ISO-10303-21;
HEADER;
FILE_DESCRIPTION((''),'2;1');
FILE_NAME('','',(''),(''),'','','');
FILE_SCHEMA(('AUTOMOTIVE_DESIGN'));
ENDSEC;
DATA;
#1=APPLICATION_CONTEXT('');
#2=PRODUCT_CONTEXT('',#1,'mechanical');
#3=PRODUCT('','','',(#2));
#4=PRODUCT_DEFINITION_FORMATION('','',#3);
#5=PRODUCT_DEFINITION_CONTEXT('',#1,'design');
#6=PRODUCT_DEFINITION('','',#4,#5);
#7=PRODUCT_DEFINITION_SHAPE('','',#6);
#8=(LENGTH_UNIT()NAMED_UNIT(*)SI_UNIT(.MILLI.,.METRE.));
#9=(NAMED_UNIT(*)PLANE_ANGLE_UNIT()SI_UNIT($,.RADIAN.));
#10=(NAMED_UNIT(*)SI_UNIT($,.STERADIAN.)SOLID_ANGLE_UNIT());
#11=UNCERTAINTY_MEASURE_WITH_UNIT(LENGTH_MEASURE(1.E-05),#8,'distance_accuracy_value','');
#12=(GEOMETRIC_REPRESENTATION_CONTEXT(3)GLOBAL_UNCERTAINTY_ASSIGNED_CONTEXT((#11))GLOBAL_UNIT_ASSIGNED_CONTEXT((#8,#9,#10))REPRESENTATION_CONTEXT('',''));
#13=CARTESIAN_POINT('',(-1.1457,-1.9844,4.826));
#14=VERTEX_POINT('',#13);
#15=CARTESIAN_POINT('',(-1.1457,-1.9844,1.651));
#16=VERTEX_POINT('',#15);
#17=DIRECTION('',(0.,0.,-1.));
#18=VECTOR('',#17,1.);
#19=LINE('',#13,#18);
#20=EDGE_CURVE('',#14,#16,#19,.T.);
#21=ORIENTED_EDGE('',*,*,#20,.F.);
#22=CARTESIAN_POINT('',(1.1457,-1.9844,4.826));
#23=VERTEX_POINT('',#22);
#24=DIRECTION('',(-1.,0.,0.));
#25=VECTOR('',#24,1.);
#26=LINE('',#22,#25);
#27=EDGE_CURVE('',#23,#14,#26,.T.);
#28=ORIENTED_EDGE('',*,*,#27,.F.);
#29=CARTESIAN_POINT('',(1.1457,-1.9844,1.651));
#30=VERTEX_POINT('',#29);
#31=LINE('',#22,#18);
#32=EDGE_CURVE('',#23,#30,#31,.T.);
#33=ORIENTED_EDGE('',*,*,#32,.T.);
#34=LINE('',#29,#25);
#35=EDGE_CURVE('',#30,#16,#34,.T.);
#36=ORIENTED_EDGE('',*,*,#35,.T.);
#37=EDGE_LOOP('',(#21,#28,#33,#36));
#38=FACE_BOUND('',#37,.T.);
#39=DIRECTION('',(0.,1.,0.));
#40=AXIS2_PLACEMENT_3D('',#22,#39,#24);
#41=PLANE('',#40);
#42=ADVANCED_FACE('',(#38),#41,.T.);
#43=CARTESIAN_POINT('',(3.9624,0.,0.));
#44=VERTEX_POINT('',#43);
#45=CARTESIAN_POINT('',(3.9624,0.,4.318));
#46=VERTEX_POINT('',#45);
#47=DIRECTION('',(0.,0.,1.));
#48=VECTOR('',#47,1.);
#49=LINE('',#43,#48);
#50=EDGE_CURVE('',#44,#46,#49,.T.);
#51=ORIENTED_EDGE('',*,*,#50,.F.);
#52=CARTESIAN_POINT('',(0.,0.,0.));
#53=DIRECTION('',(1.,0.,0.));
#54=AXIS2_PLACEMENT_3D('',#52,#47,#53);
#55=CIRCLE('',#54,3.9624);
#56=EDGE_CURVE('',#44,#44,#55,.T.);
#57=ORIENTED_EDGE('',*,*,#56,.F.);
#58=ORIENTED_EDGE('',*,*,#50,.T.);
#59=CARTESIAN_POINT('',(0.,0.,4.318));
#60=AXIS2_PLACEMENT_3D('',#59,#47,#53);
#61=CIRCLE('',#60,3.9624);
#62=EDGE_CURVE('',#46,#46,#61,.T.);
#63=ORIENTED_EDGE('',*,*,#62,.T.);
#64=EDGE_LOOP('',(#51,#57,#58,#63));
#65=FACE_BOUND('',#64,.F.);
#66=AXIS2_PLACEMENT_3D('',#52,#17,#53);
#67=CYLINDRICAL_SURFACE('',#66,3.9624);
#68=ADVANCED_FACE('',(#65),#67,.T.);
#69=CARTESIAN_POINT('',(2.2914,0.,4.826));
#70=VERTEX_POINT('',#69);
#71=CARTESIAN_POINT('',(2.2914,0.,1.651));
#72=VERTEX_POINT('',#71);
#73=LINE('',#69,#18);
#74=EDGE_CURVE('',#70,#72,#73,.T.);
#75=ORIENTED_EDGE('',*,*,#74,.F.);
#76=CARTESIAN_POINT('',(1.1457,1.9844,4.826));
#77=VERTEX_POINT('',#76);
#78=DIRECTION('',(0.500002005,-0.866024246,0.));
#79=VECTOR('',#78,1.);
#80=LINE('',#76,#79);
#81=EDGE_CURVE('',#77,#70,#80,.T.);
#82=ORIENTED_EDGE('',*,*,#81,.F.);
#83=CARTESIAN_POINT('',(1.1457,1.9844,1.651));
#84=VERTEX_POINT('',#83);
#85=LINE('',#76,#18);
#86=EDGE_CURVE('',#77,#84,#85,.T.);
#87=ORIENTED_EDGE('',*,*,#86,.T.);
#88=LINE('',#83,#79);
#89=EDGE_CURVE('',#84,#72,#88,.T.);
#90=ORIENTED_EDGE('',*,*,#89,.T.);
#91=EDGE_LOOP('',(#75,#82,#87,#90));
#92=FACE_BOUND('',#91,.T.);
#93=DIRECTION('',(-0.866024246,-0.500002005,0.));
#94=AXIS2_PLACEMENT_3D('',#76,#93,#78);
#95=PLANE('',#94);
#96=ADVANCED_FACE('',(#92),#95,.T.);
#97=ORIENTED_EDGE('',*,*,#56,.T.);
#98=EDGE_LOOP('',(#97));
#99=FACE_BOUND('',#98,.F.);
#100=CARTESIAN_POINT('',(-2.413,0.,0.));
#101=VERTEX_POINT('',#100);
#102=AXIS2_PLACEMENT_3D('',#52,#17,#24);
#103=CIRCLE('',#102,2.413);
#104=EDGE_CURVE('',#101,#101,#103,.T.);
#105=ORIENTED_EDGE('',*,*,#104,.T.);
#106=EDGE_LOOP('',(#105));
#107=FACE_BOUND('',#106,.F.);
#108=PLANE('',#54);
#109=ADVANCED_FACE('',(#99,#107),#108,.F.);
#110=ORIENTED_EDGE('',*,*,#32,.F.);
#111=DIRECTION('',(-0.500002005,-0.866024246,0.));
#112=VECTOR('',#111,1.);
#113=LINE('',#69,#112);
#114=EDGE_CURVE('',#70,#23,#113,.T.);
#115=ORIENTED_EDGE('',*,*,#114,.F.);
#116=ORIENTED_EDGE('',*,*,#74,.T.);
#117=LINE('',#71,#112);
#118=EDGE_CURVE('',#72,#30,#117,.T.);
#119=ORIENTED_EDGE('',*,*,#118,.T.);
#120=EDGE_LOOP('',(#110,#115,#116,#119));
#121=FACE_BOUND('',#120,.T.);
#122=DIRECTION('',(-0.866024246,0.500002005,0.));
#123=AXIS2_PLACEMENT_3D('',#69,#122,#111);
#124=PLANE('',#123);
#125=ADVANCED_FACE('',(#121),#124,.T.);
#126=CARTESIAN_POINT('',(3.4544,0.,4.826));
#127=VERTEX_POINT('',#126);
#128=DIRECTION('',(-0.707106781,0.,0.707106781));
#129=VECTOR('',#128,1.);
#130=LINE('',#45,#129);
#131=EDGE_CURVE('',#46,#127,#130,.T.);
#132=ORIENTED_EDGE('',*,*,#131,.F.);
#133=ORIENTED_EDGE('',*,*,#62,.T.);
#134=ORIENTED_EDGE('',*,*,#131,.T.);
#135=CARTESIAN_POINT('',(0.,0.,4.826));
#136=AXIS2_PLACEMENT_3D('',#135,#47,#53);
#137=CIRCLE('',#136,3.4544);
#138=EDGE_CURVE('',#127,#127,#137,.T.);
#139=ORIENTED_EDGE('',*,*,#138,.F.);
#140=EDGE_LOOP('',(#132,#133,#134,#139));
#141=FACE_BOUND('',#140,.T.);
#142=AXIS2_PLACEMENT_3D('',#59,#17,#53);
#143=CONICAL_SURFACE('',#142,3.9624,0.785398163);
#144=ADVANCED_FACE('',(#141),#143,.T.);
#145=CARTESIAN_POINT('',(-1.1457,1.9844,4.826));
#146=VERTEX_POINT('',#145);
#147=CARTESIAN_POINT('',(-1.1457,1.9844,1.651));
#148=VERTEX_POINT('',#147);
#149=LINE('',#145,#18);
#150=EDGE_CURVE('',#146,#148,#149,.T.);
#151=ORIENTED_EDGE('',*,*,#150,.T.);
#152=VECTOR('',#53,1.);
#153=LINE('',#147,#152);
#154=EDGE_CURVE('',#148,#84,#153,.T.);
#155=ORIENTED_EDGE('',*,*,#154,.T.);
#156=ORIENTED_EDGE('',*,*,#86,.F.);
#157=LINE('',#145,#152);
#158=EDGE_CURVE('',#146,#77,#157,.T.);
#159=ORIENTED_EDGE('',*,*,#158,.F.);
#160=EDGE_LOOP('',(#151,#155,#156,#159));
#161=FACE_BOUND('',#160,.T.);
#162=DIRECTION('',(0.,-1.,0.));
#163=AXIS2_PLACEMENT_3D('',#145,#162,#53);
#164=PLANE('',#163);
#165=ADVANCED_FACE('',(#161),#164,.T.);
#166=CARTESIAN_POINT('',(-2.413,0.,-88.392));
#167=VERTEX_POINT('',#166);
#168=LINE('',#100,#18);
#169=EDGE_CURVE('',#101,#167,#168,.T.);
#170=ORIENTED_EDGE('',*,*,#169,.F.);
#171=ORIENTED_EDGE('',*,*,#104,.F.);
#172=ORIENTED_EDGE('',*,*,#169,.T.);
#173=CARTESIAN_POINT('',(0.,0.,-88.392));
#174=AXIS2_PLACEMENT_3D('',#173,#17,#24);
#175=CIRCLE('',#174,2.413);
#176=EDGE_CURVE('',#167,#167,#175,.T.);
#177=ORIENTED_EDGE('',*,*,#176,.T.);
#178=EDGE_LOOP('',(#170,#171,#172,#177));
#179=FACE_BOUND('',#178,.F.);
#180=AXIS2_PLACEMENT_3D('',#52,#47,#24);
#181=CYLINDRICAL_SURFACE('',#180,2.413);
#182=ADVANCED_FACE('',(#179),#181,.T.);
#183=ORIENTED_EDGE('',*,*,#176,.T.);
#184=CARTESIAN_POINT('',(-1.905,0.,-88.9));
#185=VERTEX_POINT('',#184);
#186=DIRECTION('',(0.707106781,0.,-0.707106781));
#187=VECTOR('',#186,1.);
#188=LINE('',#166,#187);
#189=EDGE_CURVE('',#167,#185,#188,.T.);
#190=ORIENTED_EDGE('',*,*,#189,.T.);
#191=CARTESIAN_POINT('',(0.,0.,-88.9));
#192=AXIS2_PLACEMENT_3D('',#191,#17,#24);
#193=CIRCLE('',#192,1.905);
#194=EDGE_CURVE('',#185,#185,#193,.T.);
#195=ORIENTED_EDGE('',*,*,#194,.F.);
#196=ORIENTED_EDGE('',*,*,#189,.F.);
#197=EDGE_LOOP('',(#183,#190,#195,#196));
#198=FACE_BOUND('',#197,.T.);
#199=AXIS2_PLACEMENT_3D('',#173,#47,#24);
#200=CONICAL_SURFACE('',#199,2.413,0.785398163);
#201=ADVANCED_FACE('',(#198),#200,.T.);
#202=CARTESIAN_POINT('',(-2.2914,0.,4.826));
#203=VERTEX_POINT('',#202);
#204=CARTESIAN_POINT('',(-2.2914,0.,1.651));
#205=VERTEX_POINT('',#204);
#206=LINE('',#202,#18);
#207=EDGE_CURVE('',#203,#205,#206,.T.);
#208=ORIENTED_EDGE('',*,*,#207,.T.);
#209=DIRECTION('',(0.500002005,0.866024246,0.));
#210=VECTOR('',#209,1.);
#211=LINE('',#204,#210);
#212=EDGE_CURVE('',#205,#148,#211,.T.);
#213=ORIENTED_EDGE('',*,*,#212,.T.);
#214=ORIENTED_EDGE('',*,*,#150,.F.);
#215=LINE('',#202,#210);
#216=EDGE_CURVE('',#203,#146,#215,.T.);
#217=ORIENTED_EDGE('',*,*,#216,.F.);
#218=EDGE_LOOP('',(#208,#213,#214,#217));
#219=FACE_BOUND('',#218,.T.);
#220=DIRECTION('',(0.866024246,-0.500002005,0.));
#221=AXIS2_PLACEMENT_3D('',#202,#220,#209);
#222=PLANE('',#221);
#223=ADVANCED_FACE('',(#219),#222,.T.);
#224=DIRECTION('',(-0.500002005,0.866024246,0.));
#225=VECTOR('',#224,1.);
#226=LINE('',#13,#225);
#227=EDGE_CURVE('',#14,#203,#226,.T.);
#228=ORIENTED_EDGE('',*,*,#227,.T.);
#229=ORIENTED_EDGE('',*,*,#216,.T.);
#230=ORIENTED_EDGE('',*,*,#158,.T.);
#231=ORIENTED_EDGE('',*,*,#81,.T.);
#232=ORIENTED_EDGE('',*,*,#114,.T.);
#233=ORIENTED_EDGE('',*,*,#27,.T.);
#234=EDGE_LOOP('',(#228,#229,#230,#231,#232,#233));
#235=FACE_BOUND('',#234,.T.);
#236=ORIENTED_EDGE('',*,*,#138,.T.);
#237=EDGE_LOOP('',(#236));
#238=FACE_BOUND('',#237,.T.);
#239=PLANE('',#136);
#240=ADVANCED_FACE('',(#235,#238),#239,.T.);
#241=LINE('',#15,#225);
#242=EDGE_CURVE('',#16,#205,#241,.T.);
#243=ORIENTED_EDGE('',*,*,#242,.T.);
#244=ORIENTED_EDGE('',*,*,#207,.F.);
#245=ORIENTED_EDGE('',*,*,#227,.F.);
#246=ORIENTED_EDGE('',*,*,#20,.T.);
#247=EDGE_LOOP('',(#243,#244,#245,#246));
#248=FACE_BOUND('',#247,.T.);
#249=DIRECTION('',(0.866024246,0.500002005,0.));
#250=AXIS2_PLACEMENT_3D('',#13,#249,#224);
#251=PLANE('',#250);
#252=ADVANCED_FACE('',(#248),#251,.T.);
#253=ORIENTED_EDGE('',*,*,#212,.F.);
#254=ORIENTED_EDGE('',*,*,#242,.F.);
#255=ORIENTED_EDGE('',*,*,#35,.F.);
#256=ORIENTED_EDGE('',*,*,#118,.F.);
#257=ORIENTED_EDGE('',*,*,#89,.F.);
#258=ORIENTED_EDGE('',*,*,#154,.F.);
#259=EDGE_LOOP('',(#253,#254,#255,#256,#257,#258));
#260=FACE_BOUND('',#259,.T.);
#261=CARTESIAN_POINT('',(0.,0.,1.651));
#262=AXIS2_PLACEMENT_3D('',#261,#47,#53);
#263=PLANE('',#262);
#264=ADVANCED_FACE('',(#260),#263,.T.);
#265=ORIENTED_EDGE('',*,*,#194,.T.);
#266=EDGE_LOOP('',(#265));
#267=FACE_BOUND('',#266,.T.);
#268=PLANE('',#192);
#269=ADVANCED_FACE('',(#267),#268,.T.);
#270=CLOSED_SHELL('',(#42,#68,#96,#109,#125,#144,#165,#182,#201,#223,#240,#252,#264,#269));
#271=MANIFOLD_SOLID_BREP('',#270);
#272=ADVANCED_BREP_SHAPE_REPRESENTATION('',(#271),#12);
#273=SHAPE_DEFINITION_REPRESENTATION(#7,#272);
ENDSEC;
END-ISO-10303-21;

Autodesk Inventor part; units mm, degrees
ref_plane "YZ Plane" through (0, 0, 0) normal (1, 0, 0) x (0, 1, 0)
ref_plane "XZ Plane" through (0, 0, 0) normal (0, 1, 0) x (-1, 0, 0)
ref_plane "XY Plane" through (0, 0, 0) normal (0, 0, 1) x (1, 0, 0)
sketch "Sketch1" plane through (0, 0, 0) normal (0, 0, 1) x (1, 0, 0)
  circle A0 centre (0, 0) radius 3.9624
  dimension "d0" = 7.9248
extrude "Extrusion1" add sketch "Sketch1" along normal blind 4.826
sketch "Sketch2" plane through (0, 0, 0) normal (0, 0, -1) x (-1, 0, 0)
  circle A0 centre (0, 0) radius 3.9624 projected
  circle A1 centre (0, 0) radius 2.413
  dimension "d3" = 4.826
extrude "Extrusion2" add sketch "Sketch2" along normal blind 88.9 contours A1
sketch "Sketch3" plane through (0, 0, 4.826) normal (0, 0, 1) x (1, 0, 0)
  circle A0 centre (0, 0) radius 3.9624 projected
  line L0 (-1.1457, 1.9844) -> (1.1457, 1.9844)
  line L1 (1.1457, 1.9844) -> (2.2914, 0)
  line L2 (2.2914, 0) -> (1.1457, -1.9844)
  line L3 (1.1457, -1.9844) -> (-1.1457, -1.9844)
  line L4 (-1.1457, -1.9844) -> (-2.2914, 0)
  line L5 (-2.2914, 0) -> (-1.1457, 1.9844)
  dimension "d6" = 3.9688
extrude "Extrusion3" cut sketch "Sketch3" against normal blind 3.175 contours L0 L1 L2 L3 L4 L5
thread "Thread1" size "10-32 UNF" class "2A" standard "ANSI Unified Screw Threads" length 25.4
chamfer "Chamfer1" distance 0.508 angle 45 1 edges at (2.413, 0, -88.9)
chamfer "Chamfer2" distance 0.508 angle 45 1 edges at (-3.9624, 0, 4.826)
properties part number "10-32 x1000" material "Steel"
